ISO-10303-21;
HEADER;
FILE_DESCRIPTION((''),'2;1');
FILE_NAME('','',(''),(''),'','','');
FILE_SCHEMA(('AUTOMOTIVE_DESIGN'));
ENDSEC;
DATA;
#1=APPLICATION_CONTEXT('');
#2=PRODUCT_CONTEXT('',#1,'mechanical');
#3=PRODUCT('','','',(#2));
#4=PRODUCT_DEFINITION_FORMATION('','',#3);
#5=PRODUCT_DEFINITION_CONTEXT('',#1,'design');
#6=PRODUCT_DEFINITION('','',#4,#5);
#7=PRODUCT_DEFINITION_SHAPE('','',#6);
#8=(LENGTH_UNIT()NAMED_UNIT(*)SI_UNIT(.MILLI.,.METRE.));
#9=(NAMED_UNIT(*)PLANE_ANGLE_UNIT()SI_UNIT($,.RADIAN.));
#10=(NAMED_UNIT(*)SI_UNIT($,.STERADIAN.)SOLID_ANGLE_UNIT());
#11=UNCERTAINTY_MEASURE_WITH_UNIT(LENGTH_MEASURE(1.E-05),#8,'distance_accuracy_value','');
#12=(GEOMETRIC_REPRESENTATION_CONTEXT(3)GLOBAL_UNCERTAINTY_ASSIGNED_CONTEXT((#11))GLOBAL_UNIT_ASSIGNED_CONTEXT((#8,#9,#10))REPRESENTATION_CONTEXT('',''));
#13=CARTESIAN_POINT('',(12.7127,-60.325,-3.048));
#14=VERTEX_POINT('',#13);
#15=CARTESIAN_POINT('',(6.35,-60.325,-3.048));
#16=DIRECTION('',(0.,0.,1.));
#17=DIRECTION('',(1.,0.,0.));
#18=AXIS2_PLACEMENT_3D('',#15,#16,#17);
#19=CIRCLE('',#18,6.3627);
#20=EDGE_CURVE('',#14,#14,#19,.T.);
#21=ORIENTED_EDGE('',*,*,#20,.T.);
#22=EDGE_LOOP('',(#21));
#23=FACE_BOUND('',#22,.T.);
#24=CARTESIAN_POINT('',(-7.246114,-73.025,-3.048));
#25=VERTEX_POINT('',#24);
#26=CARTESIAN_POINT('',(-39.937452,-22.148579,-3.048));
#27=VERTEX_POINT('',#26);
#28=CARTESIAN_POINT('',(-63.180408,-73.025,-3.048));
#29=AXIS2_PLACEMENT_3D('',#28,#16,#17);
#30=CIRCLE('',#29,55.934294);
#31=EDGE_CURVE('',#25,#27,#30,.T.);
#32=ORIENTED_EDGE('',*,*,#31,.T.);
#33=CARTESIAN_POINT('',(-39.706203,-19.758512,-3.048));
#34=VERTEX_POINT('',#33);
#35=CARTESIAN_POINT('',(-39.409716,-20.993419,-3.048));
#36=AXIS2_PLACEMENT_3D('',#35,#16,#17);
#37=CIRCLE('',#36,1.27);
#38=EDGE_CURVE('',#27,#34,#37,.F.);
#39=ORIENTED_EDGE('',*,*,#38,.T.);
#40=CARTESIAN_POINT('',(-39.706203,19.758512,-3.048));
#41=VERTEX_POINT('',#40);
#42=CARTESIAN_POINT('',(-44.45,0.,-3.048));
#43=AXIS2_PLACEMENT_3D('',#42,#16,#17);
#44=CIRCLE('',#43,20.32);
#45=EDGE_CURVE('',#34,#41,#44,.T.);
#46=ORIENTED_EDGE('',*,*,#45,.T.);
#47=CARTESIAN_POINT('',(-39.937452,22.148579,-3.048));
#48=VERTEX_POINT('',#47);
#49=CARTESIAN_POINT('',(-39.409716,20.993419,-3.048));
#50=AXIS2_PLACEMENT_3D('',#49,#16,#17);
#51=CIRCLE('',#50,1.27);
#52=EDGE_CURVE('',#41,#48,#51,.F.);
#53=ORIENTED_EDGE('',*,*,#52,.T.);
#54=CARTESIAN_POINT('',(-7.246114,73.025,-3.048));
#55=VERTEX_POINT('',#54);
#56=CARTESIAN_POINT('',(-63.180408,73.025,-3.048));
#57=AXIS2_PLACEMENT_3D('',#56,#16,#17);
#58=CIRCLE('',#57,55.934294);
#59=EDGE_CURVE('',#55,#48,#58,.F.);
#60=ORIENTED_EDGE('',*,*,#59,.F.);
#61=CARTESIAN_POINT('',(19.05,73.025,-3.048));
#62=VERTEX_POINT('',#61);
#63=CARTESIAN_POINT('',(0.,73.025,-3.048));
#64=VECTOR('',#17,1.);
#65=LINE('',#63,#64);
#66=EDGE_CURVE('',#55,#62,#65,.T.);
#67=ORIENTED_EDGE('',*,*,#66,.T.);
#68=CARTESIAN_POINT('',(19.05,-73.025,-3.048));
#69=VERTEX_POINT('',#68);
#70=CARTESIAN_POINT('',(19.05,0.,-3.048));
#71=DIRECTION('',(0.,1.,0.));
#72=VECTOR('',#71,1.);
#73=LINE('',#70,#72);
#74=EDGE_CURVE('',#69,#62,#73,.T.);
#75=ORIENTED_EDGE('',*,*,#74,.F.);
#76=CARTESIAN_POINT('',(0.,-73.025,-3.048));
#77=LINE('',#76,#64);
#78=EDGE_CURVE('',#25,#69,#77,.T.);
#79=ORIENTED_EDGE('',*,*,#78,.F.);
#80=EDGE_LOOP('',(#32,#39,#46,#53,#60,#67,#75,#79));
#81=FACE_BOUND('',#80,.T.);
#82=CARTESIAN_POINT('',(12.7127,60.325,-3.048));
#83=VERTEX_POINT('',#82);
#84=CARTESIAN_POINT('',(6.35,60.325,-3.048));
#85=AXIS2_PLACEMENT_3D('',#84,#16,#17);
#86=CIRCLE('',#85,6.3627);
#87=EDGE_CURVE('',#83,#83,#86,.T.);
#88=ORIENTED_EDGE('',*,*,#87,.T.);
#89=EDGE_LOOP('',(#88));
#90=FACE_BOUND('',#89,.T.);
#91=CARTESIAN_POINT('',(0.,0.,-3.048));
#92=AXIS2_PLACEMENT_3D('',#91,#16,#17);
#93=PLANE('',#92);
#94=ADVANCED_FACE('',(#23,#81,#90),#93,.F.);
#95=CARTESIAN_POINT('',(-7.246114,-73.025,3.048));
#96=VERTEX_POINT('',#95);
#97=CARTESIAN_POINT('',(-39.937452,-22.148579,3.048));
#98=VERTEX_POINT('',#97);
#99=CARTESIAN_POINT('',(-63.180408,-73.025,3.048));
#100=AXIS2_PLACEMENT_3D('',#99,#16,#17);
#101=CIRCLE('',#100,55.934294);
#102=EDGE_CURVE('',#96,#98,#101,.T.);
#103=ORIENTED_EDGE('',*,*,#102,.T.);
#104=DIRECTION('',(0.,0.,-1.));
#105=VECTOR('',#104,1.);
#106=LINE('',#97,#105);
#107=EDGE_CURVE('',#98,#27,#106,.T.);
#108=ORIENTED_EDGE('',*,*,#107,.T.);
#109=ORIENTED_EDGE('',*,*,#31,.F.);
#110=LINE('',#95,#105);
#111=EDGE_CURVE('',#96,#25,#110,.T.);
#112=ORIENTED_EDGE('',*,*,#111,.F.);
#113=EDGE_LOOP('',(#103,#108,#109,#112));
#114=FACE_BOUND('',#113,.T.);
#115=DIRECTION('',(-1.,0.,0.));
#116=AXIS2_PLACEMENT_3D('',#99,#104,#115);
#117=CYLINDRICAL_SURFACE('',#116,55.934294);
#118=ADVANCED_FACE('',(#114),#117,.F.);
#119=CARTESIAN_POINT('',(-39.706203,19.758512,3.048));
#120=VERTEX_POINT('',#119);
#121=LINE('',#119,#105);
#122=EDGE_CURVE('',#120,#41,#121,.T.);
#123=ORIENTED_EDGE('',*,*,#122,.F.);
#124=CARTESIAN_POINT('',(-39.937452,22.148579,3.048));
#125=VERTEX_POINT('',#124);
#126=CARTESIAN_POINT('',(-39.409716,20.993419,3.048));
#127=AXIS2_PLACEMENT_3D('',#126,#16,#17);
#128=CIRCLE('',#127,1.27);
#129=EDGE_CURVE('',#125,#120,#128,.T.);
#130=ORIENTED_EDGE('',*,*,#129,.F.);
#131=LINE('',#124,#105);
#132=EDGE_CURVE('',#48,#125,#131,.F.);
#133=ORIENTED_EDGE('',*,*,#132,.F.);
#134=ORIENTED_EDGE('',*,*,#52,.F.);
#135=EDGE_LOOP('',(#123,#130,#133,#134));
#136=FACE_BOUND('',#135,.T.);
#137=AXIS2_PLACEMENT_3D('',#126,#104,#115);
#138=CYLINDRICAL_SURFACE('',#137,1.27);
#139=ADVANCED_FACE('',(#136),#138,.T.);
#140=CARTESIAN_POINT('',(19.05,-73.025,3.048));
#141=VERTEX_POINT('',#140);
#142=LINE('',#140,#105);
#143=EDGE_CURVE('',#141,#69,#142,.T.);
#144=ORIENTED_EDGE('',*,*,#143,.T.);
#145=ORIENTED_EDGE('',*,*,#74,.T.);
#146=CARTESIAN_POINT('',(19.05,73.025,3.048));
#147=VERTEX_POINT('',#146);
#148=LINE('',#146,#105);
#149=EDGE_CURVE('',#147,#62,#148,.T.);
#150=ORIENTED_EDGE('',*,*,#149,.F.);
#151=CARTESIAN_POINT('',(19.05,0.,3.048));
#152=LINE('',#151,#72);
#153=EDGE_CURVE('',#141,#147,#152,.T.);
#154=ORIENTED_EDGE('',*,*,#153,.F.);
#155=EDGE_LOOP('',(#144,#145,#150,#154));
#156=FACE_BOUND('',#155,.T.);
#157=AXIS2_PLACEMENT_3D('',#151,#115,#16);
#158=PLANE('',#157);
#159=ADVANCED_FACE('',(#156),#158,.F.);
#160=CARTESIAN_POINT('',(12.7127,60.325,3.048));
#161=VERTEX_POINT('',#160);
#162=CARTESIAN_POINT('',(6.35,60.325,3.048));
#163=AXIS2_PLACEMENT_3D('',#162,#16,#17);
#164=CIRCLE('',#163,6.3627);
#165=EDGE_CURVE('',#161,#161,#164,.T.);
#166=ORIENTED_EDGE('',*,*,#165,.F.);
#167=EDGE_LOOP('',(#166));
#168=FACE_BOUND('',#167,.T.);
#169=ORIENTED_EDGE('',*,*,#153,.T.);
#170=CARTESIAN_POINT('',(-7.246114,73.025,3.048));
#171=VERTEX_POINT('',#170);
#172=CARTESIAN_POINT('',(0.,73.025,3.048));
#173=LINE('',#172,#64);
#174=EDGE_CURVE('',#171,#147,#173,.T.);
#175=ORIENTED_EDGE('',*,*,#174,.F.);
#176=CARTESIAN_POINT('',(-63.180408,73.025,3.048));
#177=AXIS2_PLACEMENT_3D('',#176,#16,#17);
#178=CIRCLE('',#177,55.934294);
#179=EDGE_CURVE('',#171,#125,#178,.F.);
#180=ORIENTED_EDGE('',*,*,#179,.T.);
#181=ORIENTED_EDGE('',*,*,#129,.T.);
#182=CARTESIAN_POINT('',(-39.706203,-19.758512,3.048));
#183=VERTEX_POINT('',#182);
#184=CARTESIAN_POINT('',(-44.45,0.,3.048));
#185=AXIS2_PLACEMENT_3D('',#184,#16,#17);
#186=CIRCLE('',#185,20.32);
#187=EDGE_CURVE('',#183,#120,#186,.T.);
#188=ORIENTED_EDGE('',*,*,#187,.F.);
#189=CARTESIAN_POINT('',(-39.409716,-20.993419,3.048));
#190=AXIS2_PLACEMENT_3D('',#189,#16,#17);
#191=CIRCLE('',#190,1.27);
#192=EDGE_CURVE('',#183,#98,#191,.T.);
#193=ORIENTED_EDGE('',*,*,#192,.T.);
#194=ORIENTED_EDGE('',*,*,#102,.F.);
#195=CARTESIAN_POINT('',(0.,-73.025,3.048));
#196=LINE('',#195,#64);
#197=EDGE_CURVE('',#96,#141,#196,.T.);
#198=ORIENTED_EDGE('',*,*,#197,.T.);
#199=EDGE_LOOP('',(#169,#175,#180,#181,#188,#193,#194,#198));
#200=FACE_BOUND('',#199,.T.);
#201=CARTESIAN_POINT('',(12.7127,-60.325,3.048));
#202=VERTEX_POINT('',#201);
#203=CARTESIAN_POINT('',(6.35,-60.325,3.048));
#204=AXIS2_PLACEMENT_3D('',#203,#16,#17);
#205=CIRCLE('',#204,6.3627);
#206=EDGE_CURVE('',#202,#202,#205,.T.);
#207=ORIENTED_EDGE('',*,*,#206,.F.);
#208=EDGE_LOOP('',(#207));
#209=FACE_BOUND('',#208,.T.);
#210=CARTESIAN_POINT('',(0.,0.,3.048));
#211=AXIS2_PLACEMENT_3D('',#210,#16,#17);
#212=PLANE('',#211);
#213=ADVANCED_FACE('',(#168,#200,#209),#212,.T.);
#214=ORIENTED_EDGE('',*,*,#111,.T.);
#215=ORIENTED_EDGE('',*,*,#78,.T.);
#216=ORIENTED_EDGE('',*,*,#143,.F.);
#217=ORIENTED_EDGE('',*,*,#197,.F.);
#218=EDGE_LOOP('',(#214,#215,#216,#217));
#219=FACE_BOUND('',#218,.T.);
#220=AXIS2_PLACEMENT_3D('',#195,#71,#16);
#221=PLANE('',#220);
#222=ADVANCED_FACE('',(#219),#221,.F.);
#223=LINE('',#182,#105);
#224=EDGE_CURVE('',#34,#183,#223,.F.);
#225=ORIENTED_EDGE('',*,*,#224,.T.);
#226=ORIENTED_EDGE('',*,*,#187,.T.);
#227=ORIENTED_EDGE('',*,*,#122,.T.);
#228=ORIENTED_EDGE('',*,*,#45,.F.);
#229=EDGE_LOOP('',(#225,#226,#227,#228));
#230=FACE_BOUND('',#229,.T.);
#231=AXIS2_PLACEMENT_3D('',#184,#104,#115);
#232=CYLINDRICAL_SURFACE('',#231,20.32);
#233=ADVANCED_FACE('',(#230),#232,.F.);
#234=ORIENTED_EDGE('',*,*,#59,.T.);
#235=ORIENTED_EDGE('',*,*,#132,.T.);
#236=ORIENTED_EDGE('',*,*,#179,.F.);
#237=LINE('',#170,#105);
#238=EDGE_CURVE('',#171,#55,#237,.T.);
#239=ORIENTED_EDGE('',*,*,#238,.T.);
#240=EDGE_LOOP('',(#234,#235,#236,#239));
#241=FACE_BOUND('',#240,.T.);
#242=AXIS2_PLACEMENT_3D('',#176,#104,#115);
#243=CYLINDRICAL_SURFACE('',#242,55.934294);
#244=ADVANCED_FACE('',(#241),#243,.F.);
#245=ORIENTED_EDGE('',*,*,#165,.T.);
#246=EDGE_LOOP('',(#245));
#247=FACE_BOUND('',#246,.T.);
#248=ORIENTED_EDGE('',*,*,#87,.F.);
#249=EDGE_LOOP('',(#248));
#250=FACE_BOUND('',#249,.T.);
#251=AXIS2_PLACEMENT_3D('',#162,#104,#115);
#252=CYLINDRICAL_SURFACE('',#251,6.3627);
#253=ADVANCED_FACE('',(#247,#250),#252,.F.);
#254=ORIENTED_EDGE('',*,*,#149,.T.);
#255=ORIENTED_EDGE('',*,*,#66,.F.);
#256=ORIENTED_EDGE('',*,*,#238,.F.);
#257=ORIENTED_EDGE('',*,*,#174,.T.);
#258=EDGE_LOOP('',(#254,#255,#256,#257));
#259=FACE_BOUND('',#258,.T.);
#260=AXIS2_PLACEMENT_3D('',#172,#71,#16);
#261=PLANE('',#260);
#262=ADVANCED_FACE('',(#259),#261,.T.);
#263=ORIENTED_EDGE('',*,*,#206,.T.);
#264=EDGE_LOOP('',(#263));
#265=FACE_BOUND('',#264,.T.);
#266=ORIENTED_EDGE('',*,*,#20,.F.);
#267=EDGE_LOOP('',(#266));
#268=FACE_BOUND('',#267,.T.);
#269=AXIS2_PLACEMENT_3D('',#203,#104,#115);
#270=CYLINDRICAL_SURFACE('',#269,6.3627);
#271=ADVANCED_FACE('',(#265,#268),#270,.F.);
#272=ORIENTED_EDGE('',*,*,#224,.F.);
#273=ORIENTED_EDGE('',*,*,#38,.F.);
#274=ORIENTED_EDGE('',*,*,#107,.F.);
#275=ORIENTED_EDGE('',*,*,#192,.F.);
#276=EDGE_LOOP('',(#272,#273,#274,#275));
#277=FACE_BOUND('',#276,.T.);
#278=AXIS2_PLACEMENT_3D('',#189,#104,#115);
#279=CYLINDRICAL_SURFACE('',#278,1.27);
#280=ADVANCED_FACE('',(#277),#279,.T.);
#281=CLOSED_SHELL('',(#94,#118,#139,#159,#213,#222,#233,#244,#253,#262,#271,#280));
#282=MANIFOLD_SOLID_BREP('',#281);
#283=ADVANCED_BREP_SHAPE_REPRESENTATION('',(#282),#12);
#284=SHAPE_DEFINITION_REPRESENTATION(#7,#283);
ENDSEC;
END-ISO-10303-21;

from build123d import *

# Parameters (mm, degrees)
SKETCH1_R           = 6.3627
BOSS_EXTRUDE1_DEPTH = 3.048
FILLET1_R           = 1.27


with BuildPart() as part:
    # Sketch1 → Boss-Extrude1 (new body, symmetric)
    with BuildSketch(Plane.XY):
        with BuildLine():
            ThreePointArc((-44.45, -20.32), (-30.440021806, -27.674009584), (-19.05, -38.657103373))
            Line((-19.05, -38.657103373), (-19.05, 38.657103373))
            ThreePointArc((-19.05, 38.657103373), (-30.440021806, 27.674009584), (-44.45, 20.32))
            ThreePointArc((-44.45, 20.32), (-30.081590206, 14.368409794), (-24.13, 0))
            ThreePointArc((-24.13, 0), (-30.081590206, -14.368409794), (-44.45, -20.32))
        make_face()
        with BuildLine():
            ThreePointArc((-19.05, -38.657103373), (-17.322621511, -40.998313496), (-15.719319348, -43.426177466))
            ThreePointArc((-15.719319348, -43.426177466), (1.415517775, -24.650338319), (7.62, 0))
            ThreePointArc((7.62, 0), (1.415517775, 24.650338319), (-15.719319348, 43.426177466))
            ThreePointArc((-15.719319348, 43.426177466), (-17.322621511, 40.998313496), (-19.05, 38.657103373))
            Line((-19.05, 38.657103373), (-19.05, -38.657103373))
        make_face()
        with BuildLine():
            ThreePointArc((-15.719319348, -43.426177466), (-9.406121761, -57.631125381), (-7.246114065, -73.025))
            Line((-7.246114065, -73.025), (19.05, -73.025))
            Line((19.05, -73.025), (19.05, 73.025))
            Line((19.05, 73.025), (-7.246114065, 73.025))
            ThreePointArc((-7.246114065, 73.025), (-9.406121761, 57.631125381), (-15.719319348, 43.426177466))
            ThreePointArc((-15.719319348, 43.426177466), (1.415517775, 24.650338319), (7.62, 0))
            ThreePointArc((7.62, 0), (1.415517775, -24.650338319), (-15.719319348, -43.426177466))
        make_face()
        with Locations((6.35, -60.325)):
            Circle(SKETCH1_R, mode=Mode.SUBTRACT)
        with Locations((6.35, 60.325)):
            Circle(SKETCH1_R, mode=Mode.SUBTRACT)
    extrude(amount=BOSS_EXTRUDE1_DEPTH, both=True)

    # Fillet1
    fillet1_edges = [part.edges().sort_by_distance(p)[0] for p in [
        (-44.45, -20.32, 0),
        (-44.45, 20.32, 0),
    ]]
    fillet(fillet1_edges, radius=FILLET1_R)


solid = part.part
